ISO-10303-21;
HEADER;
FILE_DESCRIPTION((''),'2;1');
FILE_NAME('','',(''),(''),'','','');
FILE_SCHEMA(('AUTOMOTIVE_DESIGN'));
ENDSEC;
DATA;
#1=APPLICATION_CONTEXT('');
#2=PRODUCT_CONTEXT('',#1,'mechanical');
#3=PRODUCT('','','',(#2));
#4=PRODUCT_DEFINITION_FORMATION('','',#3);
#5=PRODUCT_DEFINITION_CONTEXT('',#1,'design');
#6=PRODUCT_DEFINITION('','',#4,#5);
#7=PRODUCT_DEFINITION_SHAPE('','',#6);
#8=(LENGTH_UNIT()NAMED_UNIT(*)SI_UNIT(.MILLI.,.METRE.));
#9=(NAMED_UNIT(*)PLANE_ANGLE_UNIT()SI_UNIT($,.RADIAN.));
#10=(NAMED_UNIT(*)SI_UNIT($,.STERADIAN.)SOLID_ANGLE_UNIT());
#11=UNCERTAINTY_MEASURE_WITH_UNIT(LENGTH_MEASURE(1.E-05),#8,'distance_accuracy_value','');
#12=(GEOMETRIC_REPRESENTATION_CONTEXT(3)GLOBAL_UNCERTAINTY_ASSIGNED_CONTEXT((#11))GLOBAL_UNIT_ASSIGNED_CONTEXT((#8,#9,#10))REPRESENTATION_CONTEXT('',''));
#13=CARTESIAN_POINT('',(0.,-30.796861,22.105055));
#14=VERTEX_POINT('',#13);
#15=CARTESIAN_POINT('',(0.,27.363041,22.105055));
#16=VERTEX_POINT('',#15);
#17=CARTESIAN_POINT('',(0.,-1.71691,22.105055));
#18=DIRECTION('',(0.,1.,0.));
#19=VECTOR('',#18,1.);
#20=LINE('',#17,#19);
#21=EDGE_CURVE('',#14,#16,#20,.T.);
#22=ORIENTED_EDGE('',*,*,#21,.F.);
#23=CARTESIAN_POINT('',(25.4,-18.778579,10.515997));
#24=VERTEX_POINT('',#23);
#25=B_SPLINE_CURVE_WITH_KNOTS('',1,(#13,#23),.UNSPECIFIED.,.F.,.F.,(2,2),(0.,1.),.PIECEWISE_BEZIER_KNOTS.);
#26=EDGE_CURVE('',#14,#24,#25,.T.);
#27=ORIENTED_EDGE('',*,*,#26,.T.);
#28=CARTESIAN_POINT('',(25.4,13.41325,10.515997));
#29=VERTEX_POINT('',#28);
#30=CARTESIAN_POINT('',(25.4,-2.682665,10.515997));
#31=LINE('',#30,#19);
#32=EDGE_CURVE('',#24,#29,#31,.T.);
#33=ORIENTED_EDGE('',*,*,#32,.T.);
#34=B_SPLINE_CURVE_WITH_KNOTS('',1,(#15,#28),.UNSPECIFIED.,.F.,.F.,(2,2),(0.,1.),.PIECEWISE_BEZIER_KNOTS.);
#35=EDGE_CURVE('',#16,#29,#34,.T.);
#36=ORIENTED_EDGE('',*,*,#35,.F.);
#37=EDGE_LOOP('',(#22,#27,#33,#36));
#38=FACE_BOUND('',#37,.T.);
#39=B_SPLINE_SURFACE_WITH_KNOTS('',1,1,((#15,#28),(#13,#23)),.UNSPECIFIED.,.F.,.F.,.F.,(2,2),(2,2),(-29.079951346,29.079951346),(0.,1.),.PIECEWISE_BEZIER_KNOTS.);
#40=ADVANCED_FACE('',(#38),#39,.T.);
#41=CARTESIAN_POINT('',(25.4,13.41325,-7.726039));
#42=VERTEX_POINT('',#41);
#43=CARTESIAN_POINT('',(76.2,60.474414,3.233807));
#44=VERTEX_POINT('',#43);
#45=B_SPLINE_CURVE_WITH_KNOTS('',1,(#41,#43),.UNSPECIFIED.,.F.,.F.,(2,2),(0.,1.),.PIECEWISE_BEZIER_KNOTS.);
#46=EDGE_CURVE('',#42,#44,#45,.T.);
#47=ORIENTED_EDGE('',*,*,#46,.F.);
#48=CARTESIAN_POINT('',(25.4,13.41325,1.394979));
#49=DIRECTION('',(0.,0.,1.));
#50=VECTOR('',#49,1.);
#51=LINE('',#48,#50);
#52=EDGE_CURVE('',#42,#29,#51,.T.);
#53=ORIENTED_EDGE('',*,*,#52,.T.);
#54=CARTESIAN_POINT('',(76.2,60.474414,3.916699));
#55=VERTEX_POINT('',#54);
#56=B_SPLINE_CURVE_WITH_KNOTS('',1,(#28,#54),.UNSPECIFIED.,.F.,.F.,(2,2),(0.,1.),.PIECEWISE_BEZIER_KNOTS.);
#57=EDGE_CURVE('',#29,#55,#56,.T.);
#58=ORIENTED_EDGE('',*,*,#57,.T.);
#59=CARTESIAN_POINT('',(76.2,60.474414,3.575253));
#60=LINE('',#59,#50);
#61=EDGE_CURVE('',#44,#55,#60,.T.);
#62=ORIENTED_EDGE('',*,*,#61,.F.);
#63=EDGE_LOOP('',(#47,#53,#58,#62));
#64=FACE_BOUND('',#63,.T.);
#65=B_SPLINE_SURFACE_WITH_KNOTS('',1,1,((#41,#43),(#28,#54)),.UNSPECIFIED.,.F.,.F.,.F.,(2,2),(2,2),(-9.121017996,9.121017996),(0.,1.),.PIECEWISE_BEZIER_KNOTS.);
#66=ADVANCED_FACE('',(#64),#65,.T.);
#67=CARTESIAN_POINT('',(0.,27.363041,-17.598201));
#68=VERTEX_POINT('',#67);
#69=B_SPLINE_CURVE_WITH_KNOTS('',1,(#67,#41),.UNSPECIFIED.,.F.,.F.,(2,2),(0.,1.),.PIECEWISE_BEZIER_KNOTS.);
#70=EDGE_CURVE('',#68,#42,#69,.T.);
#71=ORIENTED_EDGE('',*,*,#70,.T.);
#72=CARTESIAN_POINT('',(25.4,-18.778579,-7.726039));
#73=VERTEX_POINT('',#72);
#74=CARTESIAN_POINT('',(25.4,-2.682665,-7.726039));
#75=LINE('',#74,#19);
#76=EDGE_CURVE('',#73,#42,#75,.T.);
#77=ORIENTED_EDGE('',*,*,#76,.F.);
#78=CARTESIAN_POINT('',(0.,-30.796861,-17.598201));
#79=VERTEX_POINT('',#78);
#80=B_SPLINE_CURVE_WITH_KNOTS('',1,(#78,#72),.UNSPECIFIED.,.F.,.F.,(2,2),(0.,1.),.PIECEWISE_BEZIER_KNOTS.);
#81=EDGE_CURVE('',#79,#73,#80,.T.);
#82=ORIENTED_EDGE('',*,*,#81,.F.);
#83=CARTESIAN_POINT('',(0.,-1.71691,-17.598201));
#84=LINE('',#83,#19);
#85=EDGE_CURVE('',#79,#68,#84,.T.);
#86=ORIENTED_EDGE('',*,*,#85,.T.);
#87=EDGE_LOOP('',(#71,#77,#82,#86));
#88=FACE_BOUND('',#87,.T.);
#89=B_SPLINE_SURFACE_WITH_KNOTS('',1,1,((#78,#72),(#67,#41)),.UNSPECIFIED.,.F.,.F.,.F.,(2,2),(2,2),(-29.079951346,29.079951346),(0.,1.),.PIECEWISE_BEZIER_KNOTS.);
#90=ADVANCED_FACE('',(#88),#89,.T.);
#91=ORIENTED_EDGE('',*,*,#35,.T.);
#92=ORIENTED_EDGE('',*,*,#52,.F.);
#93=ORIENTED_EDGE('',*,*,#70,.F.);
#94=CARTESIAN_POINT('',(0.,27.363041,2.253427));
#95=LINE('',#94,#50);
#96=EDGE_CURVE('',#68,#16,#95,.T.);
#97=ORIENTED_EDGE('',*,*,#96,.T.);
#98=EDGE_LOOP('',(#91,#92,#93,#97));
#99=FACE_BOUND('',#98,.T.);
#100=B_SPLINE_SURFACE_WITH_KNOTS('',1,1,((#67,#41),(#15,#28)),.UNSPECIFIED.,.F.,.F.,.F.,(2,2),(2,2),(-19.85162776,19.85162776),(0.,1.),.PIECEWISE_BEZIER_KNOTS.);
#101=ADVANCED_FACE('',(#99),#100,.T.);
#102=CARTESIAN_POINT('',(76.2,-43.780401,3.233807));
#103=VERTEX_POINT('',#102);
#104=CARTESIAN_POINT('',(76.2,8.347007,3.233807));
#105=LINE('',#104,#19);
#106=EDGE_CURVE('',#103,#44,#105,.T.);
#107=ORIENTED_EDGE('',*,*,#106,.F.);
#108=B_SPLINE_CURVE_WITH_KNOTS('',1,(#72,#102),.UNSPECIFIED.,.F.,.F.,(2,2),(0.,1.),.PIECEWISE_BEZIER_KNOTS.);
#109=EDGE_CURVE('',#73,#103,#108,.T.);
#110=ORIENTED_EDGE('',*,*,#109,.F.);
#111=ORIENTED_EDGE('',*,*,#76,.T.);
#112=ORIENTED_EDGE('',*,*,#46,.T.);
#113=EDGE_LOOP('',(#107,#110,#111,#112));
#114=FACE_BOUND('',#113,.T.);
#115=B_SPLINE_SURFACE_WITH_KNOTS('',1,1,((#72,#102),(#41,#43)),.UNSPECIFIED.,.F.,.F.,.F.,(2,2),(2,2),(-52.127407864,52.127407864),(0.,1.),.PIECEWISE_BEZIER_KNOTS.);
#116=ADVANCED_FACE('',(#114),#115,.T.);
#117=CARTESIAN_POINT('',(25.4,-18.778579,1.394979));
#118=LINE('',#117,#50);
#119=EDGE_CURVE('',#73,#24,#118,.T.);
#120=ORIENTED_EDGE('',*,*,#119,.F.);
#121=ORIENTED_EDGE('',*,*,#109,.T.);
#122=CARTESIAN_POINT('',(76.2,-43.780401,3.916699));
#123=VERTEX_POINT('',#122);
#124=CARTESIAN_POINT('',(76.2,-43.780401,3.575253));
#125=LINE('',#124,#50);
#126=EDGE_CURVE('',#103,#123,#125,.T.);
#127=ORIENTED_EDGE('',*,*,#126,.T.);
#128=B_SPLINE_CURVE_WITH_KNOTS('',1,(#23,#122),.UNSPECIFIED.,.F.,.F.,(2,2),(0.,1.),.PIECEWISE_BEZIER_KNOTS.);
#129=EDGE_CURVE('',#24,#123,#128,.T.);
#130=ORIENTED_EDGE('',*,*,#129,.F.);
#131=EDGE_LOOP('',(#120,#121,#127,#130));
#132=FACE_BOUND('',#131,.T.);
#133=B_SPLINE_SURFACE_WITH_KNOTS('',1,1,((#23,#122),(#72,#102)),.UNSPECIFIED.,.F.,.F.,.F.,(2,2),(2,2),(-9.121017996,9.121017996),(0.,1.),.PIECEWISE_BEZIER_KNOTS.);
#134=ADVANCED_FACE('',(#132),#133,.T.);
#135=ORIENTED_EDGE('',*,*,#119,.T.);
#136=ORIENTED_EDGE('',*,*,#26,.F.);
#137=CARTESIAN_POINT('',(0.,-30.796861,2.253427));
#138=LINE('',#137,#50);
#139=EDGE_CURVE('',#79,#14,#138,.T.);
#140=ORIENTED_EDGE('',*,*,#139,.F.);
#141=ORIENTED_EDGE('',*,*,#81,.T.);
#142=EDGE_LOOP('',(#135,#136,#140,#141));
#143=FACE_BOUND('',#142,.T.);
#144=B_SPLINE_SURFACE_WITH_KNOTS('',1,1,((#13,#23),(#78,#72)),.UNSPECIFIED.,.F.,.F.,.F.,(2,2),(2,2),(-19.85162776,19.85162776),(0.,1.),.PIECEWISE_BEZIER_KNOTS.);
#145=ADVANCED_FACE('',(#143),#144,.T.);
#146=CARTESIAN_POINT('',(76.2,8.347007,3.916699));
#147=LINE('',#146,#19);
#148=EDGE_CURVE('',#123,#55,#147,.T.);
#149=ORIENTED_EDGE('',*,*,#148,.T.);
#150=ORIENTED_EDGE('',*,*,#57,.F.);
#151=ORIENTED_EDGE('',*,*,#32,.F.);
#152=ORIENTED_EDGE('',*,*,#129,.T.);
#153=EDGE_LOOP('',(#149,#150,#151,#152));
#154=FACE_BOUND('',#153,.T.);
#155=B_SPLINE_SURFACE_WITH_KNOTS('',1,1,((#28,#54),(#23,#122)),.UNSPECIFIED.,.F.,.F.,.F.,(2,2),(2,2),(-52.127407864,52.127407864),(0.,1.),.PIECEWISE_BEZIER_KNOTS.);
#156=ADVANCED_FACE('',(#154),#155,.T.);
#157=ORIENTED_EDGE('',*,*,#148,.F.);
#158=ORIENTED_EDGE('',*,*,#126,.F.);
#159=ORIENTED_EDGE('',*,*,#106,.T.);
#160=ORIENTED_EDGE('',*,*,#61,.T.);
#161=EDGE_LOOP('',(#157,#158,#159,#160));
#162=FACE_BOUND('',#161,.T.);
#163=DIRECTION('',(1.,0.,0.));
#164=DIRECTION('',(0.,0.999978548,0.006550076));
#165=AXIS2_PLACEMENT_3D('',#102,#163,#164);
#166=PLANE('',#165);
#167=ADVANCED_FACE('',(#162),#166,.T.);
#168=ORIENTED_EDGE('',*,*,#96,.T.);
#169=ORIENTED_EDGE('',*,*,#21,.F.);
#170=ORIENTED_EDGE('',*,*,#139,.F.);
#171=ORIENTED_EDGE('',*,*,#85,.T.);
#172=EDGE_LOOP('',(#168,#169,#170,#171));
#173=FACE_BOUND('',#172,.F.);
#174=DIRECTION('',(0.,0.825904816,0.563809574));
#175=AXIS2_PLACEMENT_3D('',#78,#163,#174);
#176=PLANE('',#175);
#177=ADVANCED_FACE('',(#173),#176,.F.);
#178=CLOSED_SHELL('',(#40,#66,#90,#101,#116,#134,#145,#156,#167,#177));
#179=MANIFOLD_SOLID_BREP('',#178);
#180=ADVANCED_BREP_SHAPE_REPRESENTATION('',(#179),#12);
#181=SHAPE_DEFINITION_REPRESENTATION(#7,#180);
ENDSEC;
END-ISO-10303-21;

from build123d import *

# Parameters (mm, degrees)
F0_W      = 58.1599026918
F0_H      = 39.7032555193
F2_W      = 32.1918288246
F2_H      = 18.2420359924
F3_FACE_W = 32.1918288246
F3_FACE_H = 18.2420359924
F5_W      = 104.2548157275
F5_H      = 0.6828915793


with BuildPart() as f3:
    # F0 (on Right) → F3 section 0
    with BuildSketch(Plane.YZ):
        with Locations((-1.7169099301, 2.2534271702)):
            Rectangle(F0_W, F0_H)
    # F2 (on offset) → F3 section 1
    with BuildSketch(Plane.YZ.offset(25.4)):
        with Locations((-2.6826648973, 1.3949791901)):
            Rectangle(F2_W, F2_H)
    loft()

    # F3_face (on face) → F6 section 0
    with BuildSketch(Plane(origin=(25.4, -2.6826648973, 1.3949791901), x_dir=(0, 1, 0), z_dir=(1, 0, 0))):
        Rectangle(F3_FACE_W, F3_FACE_H)
    # F5 (on offset) → F6 section 1
    with BuildSketch(Plane.YZ.offset(76.2)):
        with Locations((8.3470065147, 3.575253184)):
            Rectangle(F5_W, F5_H)
    loft()


solid = f3.part
